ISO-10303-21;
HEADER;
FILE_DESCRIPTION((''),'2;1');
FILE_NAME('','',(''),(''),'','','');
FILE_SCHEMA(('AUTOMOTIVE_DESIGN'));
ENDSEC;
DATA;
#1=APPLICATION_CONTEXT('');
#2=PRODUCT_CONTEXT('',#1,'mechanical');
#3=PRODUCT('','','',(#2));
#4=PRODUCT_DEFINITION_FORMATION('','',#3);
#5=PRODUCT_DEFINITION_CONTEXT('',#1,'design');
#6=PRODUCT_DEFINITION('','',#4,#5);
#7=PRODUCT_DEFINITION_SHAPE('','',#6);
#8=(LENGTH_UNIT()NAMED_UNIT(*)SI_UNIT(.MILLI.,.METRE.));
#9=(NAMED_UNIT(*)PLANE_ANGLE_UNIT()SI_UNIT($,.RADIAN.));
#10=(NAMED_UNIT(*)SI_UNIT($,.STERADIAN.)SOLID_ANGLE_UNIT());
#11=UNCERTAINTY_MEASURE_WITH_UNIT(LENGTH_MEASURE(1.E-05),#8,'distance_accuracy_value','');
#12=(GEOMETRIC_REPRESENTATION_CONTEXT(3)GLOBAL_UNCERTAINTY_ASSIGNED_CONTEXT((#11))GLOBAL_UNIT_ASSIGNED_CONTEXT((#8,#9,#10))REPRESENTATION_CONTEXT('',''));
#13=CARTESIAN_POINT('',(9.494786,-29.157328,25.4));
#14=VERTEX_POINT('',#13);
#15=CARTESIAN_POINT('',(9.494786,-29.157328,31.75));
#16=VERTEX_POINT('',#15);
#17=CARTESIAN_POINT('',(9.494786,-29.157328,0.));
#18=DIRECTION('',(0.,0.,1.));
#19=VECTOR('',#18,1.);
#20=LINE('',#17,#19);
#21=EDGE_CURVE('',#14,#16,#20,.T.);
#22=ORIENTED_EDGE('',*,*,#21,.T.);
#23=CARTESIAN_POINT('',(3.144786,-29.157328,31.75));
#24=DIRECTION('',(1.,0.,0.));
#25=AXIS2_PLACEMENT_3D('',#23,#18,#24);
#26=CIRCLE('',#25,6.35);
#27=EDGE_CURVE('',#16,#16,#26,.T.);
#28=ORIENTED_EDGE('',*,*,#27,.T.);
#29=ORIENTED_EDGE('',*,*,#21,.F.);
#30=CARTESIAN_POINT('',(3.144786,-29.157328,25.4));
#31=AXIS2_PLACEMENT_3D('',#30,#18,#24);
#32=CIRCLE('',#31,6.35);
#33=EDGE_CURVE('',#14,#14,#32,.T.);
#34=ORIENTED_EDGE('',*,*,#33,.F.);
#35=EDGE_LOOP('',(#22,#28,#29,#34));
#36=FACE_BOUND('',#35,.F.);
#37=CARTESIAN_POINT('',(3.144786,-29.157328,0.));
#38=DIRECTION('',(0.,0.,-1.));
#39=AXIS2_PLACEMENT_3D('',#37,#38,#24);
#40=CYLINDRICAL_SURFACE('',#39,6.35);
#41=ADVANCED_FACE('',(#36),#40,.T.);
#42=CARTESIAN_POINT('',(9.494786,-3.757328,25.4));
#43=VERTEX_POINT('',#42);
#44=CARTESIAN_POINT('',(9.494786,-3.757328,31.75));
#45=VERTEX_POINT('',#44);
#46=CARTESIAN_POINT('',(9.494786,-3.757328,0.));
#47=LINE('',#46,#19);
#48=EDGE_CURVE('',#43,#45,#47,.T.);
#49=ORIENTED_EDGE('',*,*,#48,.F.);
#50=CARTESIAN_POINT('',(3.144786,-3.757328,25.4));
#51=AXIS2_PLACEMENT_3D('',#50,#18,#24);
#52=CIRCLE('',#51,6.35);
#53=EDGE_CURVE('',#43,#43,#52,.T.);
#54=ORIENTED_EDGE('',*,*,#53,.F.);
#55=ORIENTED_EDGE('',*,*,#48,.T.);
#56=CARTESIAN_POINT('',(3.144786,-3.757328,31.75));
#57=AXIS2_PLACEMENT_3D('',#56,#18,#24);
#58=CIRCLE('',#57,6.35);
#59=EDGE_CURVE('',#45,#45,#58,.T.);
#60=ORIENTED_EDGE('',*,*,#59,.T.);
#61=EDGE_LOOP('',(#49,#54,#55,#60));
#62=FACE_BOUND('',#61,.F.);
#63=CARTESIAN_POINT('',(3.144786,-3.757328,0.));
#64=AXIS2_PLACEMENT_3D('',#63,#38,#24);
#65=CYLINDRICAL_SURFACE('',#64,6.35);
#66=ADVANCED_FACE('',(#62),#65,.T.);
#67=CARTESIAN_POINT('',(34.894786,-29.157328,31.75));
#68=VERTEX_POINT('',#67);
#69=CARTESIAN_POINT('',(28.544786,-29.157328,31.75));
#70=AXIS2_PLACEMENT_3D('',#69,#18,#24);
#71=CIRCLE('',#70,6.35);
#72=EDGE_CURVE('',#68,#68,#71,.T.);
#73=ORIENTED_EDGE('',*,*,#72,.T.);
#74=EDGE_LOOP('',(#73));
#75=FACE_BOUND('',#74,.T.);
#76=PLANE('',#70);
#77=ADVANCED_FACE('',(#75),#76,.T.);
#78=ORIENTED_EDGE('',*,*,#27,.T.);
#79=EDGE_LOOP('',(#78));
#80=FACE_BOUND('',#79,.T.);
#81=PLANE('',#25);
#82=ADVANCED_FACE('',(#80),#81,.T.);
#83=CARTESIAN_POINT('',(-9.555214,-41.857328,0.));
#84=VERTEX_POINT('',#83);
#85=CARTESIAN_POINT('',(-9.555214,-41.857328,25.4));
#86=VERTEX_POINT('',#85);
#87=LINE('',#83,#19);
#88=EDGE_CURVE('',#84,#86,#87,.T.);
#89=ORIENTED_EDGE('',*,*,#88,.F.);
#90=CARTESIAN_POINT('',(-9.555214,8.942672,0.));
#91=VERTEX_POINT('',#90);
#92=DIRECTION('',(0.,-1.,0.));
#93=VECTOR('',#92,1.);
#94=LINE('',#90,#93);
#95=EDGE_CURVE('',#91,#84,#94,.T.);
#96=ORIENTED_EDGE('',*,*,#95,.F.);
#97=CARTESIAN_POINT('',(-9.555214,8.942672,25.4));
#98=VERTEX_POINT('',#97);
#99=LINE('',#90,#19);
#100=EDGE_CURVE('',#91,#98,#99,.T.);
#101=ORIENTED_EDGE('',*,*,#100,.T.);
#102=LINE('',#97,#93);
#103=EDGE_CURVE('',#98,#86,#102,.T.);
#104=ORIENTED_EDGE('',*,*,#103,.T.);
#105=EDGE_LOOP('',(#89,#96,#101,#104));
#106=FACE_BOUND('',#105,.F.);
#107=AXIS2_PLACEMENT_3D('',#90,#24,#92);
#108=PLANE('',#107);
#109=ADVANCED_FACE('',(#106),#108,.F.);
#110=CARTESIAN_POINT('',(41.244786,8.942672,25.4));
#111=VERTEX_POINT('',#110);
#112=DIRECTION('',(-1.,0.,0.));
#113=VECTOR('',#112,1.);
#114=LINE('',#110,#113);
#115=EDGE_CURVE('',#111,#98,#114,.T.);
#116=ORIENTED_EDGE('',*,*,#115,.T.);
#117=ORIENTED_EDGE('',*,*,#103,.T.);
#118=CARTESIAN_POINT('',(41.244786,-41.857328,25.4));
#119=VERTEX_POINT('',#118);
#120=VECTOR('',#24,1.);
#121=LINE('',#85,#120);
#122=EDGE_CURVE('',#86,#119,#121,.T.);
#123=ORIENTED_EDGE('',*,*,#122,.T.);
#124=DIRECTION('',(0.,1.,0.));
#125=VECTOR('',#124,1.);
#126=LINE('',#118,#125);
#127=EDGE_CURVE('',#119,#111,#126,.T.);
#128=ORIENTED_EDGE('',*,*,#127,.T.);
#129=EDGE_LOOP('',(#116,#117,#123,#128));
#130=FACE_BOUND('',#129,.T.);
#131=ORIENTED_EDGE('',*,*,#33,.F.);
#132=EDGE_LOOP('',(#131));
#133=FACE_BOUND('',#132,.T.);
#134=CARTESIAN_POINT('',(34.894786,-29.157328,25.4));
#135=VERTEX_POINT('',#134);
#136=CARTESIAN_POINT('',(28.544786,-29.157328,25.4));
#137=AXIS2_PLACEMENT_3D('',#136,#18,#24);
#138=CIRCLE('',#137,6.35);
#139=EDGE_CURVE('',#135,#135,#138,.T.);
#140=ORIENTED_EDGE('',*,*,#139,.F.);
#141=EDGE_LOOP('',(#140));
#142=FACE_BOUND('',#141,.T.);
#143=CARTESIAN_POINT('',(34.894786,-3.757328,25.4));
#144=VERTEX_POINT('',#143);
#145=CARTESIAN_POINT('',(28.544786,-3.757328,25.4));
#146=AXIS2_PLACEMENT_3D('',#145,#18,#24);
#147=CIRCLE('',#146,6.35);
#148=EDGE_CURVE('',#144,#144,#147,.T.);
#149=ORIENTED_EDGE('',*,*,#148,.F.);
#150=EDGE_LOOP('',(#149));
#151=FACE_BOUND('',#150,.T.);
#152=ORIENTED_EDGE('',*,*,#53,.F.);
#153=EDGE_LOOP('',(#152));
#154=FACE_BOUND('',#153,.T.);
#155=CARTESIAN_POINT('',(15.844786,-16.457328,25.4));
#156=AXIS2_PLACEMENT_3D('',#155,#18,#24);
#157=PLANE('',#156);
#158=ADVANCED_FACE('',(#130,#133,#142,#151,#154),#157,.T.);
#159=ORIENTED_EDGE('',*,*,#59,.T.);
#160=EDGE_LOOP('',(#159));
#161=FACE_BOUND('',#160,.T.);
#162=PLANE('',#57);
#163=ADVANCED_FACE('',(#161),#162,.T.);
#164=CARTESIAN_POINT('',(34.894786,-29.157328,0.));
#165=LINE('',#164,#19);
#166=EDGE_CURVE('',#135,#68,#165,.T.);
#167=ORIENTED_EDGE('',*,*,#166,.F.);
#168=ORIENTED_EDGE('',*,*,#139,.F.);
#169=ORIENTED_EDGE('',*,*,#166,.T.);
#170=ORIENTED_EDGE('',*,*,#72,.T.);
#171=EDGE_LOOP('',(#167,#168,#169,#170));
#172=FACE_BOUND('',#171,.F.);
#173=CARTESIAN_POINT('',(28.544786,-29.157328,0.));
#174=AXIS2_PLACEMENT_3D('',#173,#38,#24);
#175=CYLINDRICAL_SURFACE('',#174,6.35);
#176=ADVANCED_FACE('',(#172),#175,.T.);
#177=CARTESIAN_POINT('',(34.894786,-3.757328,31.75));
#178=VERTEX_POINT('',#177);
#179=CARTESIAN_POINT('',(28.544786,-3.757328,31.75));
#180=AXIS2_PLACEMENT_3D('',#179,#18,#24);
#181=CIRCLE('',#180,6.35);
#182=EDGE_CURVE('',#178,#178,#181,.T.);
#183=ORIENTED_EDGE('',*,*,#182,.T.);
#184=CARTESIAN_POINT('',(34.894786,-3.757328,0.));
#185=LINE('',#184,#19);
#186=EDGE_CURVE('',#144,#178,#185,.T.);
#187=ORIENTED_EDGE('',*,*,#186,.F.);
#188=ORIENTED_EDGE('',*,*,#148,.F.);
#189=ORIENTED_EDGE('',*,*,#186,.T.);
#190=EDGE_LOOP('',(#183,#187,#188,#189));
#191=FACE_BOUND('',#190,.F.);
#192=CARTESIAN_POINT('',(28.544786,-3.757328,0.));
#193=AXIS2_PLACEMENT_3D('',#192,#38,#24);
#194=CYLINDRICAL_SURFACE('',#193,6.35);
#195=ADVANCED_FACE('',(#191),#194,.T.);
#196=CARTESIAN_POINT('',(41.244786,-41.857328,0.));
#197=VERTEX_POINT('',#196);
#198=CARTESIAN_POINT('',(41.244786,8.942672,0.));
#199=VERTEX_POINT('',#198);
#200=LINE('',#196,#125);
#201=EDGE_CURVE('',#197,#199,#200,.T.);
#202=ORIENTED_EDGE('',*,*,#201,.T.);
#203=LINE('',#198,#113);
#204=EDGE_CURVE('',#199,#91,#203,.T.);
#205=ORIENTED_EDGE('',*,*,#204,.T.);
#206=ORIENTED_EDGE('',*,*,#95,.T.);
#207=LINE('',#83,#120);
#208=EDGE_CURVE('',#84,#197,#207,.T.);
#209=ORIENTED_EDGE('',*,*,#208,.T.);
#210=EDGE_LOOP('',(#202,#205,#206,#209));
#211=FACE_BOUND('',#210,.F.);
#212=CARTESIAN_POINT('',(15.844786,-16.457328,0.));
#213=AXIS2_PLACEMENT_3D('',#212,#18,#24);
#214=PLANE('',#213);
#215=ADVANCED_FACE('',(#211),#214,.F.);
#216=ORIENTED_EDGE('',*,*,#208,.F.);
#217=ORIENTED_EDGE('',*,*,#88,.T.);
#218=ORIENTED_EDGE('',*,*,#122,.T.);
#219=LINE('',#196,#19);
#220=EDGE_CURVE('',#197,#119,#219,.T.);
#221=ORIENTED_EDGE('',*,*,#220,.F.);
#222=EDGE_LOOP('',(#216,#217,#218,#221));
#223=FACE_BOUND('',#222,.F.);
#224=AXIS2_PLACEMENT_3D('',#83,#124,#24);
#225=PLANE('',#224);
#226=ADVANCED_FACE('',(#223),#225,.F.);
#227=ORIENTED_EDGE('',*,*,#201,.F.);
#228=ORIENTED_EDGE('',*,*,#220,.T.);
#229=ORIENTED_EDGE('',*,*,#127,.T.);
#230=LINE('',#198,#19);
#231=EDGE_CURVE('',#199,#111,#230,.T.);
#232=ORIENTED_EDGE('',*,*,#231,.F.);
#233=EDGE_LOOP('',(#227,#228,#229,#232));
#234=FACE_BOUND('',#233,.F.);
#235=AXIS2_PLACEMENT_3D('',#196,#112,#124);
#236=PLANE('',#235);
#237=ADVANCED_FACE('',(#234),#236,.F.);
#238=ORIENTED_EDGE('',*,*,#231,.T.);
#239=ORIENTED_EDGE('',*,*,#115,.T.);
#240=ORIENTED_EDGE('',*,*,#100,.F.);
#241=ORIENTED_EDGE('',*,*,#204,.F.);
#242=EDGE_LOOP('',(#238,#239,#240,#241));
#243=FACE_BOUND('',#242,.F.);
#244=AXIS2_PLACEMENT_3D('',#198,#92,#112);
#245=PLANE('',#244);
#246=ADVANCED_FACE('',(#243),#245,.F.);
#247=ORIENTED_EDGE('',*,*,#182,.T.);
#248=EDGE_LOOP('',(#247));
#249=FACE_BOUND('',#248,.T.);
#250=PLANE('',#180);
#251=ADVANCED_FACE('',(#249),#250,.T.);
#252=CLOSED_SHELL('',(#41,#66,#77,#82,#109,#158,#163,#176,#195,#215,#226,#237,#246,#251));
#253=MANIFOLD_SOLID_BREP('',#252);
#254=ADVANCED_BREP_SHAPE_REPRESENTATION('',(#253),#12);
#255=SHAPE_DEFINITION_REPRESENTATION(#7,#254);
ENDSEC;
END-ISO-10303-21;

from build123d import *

# Parameters (mm, degrees)
F0_R     = 6.35
F1_DEPTH = 25.4
F2_DEPTH = 31.75


with BuildPart() as f1:
    # F0 (on Top) → F1 (new body)
    with BuildSketch(Plane.XY):
        Polygon((3.144786, 8.942672), (-9.555214, 8.942672), (-9.555214, -3.757328), (-9.555214, -29.157328), (-9.555214, -41.857328), (3.144786, -41.857328), (28.544786, -41.857328), (41.244786, -41.857328), (41.244786, -29.157328), (41.244786, -3.757328), (41.244786, 8.942672), (28.544786, 8.942672), align=None)
        with Locations((3.144786, -29.157328)):
            Circle(F0_R, mode=Mode.SUBTRACT)
        with Locations((28.544786, -29.157328)):
            Circle(F0_R, mode=Mode.SUBTRACT)
        with Locations((3.144786, -3.757328)):
            Circle(F0_R, mode=Mode.SUBTRACT)
        with Locations((28.544786, -3.757328)):
            Circle(F0_R, mode=Mode.SUBTRACT)
    extrude(amount=F1_DEPTH)

    # F0 (on Top) → F2 (join)
    with BuildSketch(Plane.XY):
        with Locations((28.544786, -29.157328)):
            Circle(F0_R)
        with Locations((3.144786, -3.757328)):
            Circle(F0_R)
        with Locations((28.544786, -3.757328)):
            Circle(F0_R)
        with Locations((3.144786, -29.157328)):
            Circle(F0_R)
    extrude(amount=F2_DEPTH)


solid = f1.part
